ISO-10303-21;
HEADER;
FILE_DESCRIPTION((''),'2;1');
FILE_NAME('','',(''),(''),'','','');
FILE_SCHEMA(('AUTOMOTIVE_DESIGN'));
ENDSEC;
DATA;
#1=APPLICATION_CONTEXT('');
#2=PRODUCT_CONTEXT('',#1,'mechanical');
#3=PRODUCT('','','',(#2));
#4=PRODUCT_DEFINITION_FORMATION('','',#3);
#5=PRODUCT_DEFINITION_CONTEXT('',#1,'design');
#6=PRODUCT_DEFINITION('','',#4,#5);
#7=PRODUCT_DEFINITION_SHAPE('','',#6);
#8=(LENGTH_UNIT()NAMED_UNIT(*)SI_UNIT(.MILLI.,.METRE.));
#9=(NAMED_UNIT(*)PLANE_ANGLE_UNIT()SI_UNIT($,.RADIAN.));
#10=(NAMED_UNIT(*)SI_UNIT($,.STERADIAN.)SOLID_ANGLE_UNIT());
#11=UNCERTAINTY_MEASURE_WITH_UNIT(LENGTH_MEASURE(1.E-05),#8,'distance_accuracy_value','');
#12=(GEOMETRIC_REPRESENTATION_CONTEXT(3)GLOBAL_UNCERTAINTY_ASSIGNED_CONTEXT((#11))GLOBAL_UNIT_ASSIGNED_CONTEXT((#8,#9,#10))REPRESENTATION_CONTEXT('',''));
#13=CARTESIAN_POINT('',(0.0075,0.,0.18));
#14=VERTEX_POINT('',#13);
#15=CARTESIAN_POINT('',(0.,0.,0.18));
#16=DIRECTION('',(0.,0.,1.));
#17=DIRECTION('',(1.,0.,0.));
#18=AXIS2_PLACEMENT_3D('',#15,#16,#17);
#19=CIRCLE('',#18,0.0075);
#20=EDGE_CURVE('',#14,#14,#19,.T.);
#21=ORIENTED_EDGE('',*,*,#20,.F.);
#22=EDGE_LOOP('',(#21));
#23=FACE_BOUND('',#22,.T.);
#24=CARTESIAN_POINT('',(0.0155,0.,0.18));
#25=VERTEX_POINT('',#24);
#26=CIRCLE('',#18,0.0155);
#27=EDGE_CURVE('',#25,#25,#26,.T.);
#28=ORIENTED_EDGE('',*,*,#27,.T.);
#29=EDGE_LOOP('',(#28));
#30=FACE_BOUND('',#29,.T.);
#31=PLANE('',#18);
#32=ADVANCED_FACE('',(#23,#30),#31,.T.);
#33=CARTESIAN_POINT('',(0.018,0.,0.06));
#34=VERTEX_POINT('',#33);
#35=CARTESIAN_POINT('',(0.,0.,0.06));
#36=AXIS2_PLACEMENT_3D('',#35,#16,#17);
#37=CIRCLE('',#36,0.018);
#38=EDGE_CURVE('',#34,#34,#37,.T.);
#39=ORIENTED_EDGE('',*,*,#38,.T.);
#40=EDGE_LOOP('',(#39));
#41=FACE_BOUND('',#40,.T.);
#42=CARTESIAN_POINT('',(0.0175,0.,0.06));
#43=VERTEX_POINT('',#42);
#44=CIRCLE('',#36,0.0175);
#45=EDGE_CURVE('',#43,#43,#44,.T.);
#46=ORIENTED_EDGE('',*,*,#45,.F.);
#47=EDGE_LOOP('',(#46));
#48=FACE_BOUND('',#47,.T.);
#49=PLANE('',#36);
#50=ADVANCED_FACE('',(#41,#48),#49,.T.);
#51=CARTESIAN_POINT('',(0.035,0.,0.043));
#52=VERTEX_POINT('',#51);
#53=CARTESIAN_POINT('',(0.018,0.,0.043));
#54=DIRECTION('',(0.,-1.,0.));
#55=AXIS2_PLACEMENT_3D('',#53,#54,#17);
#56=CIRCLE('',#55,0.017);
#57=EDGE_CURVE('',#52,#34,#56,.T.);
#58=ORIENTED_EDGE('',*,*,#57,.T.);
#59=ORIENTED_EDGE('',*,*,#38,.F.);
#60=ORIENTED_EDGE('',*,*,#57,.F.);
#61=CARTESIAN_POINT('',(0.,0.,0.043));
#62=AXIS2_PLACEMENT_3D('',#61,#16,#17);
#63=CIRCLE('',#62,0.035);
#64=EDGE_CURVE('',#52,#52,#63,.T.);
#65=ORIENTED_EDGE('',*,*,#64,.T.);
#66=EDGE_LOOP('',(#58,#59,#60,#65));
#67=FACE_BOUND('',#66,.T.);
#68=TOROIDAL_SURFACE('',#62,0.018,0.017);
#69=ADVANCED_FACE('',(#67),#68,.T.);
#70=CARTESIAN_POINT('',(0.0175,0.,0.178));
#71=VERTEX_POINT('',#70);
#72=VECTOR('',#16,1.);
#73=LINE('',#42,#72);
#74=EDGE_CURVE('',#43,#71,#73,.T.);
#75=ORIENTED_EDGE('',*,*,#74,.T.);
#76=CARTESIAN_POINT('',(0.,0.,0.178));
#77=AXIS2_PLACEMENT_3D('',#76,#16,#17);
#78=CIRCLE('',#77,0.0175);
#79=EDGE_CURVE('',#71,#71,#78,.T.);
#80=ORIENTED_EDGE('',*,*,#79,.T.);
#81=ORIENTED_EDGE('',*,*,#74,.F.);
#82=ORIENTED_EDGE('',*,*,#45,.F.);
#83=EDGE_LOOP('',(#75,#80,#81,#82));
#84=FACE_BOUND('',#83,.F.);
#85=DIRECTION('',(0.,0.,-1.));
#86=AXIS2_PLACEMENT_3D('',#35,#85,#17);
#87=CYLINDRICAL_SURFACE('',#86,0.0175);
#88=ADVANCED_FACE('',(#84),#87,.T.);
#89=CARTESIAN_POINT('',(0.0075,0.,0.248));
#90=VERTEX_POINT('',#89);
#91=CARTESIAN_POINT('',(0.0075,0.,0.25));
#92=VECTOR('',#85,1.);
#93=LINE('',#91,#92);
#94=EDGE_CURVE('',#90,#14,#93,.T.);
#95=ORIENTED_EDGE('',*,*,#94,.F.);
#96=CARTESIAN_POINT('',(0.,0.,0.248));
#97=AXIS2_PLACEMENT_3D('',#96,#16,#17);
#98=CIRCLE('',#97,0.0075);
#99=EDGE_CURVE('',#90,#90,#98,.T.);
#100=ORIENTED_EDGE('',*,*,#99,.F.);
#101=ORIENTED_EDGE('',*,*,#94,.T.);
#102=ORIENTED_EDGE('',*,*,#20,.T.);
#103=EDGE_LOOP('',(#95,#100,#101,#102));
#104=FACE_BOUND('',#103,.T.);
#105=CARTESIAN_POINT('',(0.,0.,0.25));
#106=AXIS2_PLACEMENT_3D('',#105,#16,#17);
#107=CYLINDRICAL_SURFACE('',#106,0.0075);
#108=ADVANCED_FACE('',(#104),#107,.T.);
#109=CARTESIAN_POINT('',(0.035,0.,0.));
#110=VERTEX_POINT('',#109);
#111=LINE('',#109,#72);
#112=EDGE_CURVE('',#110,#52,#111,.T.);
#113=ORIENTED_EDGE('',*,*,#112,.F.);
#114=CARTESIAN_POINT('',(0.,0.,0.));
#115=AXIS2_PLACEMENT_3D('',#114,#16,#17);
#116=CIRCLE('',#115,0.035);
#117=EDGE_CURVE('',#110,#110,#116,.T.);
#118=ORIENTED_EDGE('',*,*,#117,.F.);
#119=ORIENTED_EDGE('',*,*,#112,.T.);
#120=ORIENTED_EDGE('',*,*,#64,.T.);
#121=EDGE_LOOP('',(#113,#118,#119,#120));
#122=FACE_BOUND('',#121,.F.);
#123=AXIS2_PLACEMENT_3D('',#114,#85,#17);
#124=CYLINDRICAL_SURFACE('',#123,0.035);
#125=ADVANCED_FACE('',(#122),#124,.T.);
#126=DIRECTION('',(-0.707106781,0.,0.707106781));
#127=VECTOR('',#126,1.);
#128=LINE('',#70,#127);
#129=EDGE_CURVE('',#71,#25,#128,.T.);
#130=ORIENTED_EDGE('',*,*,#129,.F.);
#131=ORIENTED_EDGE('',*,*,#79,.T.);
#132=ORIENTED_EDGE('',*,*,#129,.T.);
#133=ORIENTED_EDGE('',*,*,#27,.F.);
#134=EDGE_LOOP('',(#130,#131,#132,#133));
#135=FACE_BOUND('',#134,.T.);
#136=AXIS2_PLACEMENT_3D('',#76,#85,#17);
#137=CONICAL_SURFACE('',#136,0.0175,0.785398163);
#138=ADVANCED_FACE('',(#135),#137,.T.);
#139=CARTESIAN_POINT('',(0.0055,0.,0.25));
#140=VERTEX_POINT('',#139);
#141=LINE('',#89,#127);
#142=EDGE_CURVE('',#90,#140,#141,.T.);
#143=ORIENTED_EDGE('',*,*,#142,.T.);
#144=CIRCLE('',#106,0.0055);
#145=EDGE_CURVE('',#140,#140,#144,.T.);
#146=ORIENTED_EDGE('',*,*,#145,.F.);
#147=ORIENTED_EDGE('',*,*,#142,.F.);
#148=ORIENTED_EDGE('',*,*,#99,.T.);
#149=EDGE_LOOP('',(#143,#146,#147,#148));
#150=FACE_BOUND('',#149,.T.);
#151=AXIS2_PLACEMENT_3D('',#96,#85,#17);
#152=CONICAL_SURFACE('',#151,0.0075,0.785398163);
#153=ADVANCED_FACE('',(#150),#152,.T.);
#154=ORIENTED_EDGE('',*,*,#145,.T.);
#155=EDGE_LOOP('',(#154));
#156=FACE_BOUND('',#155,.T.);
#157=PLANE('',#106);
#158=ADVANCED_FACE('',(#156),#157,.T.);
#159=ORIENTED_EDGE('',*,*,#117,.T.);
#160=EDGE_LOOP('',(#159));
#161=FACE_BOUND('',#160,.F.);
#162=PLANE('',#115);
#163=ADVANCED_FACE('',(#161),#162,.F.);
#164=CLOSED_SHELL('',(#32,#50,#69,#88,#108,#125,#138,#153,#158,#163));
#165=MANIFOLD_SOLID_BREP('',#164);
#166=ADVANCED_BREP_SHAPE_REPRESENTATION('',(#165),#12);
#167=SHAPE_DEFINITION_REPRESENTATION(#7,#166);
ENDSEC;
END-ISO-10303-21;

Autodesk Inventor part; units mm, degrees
ref_plane "YZ Plane" through (0, 0, 0) normal (1, 0, 0) x (0, 1, 0)
ref_plane "XZ Plane" through (0, 0, 0) normal (0, 1, 0) x (-1, 0, 0)
ref_plane "XY Plane" through (0, 0, 0) normal (0, 0, 1) x (1, 0, 0)
sketch "Schizzo1" plane through (0, 0, 0) normal (0, 0, 1) x (1, 0, 0)
  circle A0 centre (0, 0) radius 0.035
  dimension "d0" = 0.07
extrude "Estrusione1" add sketch "Schizzo1" along normal blind 0.06
sketch "Schizzo6" plane through (0, 0, 0.06) normal (0, 0, 1) x (1, 0, 0)
  circle A0 centre (0, 0) radius 0.0175
  dimension "d20" = 0.035
extrude "Estrusione5" add sketch "Schizzo6" along normal blind 0.19
sketch "Schizzo7" plane through (0, 0, 0.25) normal (0, 0, 1) x (1, 0, 0)
  circle A0 centre (0, 0) radius 0.0175 projected
  circle A1 centre (0, 0) radius 0.0075
  dimension "d23" = 0.015
extrude "Estrusione6" cut sketch "Schizzo7" against normal blind 0.07
fillet "Raccordo4" radius 0.02 1 edges at (-0.035, 0, 0.06)
chamfer "Smusso2" distance 0.002 angle 45 2 edges at (-0.0175, 0, 0.18) (-0.0075, 0, 0.25)
properties part number "screwdriver" material "Acciaio inossidabile"
